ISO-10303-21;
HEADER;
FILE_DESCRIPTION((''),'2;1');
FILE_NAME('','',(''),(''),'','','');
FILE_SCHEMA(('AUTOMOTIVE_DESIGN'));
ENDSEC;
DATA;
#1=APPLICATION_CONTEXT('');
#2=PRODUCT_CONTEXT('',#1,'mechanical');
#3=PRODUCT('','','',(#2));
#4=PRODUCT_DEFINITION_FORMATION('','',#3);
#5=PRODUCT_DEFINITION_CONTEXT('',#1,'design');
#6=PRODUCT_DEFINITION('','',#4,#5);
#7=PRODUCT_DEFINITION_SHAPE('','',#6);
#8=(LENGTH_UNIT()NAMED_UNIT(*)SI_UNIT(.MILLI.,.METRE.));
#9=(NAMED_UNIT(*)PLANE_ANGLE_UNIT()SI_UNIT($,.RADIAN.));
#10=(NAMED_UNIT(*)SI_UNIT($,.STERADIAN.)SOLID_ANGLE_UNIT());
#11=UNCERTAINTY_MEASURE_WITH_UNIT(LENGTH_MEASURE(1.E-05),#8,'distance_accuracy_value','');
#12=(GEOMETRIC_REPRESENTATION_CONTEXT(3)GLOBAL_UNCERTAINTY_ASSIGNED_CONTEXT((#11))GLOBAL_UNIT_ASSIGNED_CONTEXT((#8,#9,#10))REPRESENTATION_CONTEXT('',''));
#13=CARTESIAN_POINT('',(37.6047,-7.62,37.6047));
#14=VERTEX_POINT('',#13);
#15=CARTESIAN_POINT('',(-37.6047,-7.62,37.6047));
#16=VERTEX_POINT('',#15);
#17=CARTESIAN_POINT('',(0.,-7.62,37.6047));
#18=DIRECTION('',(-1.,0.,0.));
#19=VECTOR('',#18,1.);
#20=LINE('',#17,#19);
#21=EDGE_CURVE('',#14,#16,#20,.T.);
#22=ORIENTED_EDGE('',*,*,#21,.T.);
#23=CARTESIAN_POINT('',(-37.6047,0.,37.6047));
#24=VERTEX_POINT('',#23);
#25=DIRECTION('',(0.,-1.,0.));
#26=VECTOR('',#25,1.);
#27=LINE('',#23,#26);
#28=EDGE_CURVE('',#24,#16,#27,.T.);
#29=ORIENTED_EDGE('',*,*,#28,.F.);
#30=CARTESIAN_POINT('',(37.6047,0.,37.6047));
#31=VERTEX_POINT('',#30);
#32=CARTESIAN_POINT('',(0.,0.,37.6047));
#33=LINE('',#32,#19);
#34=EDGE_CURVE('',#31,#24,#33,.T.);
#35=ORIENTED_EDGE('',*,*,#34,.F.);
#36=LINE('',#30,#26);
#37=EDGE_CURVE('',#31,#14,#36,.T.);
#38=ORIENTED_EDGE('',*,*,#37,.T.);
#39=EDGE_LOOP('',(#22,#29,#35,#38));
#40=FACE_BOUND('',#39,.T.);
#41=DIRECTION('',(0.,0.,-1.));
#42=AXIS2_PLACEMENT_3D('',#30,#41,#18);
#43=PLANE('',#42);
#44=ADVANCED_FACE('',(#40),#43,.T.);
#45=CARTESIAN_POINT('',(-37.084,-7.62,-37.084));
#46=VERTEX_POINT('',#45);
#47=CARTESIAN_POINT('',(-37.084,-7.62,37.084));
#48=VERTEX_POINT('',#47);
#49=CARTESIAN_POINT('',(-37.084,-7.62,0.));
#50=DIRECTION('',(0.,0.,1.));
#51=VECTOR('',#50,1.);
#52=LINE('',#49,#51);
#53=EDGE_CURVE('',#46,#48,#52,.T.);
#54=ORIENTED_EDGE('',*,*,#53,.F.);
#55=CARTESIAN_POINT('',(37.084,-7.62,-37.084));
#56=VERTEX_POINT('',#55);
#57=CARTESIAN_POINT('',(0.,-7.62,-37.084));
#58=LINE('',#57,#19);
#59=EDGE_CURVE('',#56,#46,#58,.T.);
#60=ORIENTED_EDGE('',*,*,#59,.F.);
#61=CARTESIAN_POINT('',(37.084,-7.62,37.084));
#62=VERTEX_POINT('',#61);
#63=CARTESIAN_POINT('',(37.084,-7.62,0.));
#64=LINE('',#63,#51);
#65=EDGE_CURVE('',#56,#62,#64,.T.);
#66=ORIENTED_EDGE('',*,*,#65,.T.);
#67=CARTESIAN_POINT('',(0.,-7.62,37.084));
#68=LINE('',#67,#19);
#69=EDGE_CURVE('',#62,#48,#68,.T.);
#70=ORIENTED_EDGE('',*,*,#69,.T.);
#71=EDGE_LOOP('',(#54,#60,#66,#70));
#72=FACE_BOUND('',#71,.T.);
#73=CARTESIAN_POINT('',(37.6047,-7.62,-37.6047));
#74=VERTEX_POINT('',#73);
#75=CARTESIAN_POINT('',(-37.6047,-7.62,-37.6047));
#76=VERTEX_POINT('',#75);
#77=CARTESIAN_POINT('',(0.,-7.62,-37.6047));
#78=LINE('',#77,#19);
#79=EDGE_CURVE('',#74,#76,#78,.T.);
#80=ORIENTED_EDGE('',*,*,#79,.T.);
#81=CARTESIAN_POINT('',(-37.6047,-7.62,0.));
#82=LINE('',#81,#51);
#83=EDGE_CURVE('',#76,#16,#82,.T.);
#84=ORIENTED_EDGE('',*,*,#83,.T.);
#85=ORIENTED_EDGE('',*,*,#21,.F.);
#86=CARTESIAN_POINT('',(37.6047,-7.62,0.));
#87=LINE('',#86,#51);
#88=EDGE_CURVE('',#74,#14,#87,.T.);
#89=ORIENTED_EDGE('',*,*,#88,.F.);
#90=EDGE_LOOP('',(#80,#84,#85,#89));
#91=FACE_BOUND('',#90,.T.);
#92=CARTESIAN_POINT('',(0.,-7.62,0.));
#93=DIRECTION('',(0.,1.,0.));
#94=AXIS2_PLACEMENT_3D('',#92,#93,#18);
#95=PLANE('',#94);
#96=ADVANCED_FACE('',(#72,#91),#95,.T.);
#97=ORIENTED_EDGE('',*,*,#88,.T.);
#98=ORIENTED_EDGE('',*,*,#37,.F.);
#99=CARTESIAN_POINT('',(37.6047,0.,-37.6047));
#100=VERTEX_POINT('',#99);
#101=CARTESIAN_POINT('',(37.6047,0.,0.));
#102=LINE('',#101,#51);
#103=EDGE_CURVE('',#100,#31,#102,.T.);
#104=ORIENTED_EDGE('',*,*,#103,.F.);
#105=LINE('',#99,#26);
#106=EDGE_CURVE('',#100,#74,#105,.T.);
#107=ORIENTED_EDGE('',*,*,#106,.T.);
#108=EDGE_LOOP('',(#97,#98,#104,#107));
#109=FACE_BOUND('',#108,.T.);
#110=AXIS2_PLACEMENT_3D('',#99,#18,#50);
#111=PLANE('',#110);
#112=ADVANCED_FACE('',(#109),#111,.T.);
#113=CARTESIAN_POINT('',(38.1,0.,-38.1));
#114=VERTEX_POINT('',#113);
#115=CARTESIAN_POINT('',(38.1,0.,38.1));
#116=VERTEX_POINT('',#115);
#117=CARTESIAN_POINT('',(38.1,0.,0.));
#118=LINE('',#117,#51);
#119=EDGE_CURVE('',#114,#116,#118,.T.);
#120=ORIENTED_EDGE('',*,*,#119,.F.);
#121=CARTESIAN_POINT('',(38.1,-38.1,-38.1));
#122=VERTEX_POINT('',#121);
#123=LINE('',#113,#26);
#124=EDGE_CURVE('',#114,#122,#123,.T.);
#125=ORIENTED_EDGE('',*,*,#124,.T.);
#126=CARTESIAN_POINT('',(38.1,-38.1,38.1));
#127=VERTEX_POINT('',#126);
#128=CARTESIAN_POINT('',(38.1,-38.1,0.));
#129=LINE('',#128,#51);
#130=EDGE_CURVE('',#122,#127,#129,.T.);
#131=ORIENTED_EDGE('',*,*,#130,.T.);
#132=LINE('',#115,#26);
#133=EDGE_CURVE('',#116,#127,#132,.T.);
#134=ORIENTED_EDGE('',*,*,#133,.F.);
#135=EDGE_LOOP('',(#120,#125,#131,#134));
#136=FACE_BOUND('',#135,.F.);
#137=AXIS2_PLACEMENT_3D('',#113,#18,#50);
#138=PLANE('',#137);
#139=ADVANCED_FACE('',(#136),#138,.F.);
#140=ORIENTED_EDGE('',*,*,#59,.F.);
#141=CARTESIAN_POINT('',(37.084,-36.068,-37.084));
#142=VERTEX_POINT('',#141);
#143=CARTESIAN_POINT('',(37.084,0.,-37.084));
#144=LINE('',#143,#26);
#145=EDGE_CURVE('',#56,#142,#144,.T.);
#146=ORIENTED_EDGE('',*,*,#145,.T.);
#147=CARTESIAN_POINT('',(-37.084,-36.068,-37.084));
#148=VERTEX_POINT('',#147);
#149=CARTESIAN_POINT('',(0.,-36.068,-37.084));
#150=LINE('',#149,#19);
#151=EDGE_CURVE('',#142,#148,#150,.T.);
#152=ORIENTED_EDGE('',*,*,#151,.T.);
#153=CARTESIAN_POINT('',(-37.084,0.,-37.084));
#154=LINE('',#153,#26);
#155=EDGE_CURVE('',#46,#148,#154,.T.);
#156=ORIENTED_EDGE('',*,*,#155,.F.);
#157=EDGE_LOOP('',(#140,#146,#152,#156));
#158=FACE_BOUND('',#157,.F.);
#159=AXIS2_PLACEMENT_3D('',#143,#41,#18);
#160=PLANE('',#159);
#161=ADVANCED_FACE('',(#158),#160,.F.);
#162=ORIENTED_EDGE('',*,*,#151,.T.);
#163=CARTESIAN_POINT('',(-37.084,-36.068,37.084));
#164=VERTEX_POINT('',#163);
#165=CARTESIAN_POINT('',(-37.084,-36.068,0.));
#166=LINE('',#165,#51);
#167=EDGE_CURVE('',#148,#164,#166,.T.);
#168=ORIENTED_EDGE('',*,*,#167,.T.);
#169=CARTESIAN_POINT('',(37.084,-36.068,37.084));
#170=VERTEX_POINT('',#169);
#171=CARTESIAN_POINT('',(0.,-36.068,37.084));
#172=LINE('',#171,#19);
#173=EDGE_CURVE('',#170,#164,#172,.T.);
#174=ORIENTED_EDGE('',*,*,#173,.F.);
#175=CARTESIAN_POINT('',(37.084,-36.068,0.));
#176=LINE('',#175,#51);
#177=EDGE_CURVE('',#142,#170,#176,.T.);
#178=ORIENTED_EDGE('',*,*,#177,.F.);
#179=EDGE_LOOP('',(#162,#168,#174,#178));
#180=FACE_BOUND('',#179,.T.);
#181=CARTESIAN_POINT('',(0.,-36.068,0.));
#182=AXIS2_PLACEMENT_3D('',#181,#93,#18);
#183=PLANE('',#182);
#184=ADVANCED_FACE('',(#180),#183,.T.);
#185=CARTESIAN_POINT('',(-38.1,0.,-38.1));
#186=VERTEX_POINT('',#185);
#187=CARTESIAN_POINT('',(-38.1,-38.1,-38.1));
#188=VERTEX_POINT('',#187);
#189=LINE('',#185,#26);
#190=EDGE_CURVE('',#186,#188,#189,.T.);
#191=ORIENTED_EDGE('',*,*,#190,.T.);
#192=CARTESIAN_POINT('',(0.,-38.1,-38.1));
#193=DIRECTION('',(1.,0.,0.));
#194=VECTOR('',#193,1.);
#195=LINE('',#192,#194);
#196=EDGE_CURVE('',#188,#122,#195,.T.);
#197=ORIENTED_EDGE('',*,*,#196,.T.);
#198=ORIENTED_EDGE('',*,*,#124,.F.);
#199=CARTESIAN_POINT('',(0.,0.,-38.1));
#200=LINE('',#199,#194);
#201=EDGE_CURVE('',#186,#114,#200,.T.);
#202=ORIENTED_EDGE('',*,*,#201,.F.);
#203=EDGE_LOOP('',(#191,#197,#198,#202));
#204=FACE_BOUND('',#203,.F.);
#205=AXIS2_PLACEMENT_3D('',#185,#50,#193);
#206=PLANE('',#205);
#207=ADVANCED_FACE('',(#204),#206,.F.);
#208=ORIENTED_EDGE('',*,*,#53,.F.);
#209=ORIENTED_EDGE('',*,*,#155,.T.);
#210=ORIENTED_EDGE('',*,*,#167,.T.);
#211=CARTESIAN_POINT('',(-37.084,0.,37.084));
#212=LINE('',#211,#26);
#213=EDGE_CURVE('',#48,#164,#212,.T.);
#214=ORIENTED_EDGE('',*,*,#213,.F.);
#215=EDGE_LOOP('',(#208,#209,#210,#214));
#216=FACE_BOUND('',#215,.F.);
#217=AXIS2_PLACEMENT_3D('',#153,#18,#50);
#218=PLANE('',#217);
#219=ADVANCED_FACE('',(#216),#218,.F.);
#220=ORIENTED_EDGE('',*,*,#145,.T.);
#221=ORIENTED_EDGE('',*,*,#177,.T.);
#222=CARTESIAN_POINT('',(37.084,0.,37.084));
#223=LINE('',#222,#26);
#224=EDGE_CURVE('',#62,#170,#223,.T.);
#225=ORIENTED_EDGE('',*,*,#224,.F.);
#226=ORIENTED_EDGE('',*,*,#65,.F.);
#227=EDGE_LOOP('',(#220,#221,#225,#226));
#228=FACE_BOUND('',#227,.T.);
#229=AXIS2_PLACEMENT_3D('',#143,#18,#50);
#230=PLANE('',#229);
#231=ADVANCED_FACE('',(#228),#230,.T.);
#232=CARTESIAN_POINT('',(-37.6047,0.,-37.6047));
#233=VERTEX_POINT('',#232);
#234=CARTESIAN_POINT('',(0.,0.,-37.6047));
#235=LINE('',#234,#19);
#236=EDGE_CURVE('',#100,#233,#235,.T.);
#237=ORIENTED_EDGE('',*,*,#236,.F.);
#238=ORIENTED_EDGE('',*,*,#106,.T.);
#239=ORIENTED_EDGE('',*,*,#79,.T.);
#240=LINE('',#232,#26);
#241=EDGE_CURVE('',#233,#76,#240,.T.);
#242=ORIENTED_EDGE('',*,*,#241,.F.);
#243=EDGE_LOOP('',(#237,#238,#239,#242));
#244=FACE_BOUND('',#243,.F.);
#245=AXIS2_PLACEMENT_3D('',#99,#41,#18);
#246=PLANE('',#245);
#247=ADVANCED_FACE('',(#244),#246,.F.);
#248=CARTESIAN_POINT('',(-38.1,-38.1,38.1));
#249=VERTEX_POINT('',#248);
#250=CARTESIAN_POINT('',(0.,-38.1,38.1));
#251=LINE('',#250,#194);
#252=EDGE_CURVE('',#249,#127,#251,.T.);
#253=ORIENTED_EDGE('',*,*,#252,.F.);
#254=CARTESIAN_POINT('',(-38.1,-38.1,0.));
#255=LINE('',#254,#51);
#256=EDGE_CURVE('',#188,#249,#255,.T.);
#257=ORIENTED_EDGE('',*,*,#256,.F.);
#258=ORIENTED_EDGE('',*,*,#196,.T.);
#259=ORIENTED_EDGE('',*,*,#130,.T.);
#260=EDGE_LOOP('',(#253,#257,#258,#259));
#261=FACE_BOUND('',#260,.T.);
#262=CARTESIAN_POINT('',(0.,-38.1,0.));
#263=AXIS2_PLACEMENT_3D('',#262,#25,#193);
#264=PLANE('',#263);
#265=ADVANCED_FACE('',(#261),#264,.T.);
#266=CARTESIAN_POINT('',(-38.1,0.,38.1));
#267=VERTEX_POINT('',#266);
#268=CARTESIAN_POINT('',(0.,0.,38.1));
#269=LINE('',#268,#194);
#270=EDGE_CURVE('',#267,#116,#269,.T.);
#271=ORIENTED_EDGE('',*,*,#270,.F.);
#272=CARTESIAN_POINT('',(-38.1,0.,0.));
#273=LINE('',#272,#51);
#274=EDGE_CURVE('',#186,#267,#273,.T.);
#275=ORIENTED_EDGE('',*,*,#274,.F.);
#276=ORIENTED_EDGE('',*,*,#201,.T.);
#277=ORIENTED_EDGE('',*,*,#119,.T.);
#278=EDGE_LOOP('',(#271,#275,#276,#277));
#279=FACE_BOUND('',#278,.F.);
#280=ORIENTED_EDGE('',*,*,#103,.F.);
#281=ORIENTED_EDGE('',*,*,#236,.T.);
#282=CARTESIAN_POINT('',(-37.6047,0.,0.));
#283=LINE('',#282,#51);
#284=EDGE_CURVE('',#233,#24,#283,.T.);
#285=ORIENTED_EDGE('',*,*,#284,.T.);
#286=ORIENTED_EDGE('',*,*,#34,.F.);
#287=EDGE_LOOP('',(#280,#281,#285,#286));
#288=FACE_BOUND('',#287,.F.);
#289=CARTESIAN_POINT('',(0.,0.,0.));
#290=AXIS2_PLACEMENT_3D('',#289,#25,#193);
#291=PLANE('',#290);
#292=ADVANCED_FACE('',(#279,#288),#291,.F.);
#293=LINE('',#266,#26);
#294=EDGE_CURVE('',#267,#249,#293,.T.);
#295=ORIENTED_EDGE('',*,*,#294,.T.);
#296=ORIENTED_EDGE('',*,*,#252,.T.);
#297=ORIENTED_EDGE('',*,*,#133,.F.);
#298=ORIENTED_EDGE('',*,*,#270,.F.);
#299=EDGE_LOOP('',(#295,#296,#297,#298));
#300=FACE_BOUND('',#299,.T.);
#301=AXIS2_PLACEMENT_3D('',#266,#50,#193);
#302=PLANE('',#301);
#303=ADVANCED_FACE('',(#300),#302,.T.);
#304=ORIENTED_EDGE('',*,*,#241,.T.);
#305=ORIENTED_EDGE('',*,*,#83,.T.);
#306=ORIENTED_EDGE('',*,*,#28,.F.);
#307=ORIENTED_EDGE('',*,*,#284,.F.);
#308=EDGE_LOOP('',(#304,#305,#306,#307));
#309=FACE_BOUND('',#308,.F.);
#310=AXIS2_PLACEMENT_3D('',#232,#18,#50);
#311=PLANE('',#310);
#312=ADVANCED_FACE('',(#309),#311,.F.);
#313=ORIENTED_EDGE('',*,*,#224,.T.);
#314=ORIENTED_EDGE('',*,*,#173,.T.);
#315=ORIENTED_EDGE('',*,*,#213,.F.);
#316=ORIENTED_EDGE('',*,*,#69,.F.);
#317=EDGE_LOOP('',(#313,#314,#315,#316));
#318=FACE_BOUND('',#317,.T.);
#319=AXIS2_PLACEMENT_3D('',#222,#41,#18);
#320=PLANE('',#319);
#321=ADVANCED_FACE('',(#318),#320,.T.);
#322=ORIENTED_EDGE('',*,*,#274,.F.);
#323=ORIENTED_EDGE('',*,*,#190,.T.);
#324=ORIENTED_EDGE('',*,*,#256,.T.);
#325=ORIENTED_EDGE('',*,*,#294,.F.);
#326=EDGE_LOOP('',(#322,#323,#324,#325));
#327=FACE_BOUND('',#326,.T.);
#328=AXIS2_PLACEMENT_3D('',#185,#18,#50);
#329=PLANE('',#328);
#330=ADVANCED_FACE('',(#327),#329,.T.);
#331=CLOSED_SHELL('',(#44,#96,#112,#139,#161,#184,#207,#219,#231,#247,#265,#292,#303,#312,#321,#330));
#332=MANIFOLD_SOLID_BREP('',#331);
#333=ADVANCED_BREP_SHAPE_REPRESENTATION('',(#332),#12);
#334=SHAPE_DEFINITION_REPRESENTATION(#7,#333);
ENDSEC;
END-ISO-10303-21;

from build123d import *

# Parameters (mm, degrees)
F0_W     = 76.2
F0_H     = 76.2
F1_DEPTH = 38.1
F2_W     = 74.168
F2_H     = 74.168
F3_DEPTH = 36.068
F4_W     = 75.2094
F4_H     = 75.2094
F4_W_2   = 74.168
F4_H_2   = 74.168
F5_DEPTH = 7.62


with BuildPart() as f1:
    # F0 (on Front) → F1 (new body)
    with BuildSketch(Plane.XZ):
        Rectangle(F0_W, F0_H)
    extrude(amount=F1_DEPTH)

    # F2 (on face) → F3 (cut)
    with BuildSketch(Plane(origin=(0, 0, 0), x_dir=(-1, 0, 0), z_dir=(0, 1, 0))):
        Rectangle(F2_W, F2_H)
    extrude(amount=-F3_DEPTH, mode=Mode.SUBTRACT)

    # F4 (on face) → F5 (cut)
    with BuildSketch(Plane(origin=(0, 0, 0), x_dir=(-1, 0, 0), z_dir=(0, 1, 0))):
        Rectangle(F4_W, F4_H)
        Rectangle(F4_W_2, F4_H_2, mode=Mode.SUBTRACT)
    extrude(amount=-F5_DEPTH, mode=Mode.SUBTRACT)


solid = f1.part
